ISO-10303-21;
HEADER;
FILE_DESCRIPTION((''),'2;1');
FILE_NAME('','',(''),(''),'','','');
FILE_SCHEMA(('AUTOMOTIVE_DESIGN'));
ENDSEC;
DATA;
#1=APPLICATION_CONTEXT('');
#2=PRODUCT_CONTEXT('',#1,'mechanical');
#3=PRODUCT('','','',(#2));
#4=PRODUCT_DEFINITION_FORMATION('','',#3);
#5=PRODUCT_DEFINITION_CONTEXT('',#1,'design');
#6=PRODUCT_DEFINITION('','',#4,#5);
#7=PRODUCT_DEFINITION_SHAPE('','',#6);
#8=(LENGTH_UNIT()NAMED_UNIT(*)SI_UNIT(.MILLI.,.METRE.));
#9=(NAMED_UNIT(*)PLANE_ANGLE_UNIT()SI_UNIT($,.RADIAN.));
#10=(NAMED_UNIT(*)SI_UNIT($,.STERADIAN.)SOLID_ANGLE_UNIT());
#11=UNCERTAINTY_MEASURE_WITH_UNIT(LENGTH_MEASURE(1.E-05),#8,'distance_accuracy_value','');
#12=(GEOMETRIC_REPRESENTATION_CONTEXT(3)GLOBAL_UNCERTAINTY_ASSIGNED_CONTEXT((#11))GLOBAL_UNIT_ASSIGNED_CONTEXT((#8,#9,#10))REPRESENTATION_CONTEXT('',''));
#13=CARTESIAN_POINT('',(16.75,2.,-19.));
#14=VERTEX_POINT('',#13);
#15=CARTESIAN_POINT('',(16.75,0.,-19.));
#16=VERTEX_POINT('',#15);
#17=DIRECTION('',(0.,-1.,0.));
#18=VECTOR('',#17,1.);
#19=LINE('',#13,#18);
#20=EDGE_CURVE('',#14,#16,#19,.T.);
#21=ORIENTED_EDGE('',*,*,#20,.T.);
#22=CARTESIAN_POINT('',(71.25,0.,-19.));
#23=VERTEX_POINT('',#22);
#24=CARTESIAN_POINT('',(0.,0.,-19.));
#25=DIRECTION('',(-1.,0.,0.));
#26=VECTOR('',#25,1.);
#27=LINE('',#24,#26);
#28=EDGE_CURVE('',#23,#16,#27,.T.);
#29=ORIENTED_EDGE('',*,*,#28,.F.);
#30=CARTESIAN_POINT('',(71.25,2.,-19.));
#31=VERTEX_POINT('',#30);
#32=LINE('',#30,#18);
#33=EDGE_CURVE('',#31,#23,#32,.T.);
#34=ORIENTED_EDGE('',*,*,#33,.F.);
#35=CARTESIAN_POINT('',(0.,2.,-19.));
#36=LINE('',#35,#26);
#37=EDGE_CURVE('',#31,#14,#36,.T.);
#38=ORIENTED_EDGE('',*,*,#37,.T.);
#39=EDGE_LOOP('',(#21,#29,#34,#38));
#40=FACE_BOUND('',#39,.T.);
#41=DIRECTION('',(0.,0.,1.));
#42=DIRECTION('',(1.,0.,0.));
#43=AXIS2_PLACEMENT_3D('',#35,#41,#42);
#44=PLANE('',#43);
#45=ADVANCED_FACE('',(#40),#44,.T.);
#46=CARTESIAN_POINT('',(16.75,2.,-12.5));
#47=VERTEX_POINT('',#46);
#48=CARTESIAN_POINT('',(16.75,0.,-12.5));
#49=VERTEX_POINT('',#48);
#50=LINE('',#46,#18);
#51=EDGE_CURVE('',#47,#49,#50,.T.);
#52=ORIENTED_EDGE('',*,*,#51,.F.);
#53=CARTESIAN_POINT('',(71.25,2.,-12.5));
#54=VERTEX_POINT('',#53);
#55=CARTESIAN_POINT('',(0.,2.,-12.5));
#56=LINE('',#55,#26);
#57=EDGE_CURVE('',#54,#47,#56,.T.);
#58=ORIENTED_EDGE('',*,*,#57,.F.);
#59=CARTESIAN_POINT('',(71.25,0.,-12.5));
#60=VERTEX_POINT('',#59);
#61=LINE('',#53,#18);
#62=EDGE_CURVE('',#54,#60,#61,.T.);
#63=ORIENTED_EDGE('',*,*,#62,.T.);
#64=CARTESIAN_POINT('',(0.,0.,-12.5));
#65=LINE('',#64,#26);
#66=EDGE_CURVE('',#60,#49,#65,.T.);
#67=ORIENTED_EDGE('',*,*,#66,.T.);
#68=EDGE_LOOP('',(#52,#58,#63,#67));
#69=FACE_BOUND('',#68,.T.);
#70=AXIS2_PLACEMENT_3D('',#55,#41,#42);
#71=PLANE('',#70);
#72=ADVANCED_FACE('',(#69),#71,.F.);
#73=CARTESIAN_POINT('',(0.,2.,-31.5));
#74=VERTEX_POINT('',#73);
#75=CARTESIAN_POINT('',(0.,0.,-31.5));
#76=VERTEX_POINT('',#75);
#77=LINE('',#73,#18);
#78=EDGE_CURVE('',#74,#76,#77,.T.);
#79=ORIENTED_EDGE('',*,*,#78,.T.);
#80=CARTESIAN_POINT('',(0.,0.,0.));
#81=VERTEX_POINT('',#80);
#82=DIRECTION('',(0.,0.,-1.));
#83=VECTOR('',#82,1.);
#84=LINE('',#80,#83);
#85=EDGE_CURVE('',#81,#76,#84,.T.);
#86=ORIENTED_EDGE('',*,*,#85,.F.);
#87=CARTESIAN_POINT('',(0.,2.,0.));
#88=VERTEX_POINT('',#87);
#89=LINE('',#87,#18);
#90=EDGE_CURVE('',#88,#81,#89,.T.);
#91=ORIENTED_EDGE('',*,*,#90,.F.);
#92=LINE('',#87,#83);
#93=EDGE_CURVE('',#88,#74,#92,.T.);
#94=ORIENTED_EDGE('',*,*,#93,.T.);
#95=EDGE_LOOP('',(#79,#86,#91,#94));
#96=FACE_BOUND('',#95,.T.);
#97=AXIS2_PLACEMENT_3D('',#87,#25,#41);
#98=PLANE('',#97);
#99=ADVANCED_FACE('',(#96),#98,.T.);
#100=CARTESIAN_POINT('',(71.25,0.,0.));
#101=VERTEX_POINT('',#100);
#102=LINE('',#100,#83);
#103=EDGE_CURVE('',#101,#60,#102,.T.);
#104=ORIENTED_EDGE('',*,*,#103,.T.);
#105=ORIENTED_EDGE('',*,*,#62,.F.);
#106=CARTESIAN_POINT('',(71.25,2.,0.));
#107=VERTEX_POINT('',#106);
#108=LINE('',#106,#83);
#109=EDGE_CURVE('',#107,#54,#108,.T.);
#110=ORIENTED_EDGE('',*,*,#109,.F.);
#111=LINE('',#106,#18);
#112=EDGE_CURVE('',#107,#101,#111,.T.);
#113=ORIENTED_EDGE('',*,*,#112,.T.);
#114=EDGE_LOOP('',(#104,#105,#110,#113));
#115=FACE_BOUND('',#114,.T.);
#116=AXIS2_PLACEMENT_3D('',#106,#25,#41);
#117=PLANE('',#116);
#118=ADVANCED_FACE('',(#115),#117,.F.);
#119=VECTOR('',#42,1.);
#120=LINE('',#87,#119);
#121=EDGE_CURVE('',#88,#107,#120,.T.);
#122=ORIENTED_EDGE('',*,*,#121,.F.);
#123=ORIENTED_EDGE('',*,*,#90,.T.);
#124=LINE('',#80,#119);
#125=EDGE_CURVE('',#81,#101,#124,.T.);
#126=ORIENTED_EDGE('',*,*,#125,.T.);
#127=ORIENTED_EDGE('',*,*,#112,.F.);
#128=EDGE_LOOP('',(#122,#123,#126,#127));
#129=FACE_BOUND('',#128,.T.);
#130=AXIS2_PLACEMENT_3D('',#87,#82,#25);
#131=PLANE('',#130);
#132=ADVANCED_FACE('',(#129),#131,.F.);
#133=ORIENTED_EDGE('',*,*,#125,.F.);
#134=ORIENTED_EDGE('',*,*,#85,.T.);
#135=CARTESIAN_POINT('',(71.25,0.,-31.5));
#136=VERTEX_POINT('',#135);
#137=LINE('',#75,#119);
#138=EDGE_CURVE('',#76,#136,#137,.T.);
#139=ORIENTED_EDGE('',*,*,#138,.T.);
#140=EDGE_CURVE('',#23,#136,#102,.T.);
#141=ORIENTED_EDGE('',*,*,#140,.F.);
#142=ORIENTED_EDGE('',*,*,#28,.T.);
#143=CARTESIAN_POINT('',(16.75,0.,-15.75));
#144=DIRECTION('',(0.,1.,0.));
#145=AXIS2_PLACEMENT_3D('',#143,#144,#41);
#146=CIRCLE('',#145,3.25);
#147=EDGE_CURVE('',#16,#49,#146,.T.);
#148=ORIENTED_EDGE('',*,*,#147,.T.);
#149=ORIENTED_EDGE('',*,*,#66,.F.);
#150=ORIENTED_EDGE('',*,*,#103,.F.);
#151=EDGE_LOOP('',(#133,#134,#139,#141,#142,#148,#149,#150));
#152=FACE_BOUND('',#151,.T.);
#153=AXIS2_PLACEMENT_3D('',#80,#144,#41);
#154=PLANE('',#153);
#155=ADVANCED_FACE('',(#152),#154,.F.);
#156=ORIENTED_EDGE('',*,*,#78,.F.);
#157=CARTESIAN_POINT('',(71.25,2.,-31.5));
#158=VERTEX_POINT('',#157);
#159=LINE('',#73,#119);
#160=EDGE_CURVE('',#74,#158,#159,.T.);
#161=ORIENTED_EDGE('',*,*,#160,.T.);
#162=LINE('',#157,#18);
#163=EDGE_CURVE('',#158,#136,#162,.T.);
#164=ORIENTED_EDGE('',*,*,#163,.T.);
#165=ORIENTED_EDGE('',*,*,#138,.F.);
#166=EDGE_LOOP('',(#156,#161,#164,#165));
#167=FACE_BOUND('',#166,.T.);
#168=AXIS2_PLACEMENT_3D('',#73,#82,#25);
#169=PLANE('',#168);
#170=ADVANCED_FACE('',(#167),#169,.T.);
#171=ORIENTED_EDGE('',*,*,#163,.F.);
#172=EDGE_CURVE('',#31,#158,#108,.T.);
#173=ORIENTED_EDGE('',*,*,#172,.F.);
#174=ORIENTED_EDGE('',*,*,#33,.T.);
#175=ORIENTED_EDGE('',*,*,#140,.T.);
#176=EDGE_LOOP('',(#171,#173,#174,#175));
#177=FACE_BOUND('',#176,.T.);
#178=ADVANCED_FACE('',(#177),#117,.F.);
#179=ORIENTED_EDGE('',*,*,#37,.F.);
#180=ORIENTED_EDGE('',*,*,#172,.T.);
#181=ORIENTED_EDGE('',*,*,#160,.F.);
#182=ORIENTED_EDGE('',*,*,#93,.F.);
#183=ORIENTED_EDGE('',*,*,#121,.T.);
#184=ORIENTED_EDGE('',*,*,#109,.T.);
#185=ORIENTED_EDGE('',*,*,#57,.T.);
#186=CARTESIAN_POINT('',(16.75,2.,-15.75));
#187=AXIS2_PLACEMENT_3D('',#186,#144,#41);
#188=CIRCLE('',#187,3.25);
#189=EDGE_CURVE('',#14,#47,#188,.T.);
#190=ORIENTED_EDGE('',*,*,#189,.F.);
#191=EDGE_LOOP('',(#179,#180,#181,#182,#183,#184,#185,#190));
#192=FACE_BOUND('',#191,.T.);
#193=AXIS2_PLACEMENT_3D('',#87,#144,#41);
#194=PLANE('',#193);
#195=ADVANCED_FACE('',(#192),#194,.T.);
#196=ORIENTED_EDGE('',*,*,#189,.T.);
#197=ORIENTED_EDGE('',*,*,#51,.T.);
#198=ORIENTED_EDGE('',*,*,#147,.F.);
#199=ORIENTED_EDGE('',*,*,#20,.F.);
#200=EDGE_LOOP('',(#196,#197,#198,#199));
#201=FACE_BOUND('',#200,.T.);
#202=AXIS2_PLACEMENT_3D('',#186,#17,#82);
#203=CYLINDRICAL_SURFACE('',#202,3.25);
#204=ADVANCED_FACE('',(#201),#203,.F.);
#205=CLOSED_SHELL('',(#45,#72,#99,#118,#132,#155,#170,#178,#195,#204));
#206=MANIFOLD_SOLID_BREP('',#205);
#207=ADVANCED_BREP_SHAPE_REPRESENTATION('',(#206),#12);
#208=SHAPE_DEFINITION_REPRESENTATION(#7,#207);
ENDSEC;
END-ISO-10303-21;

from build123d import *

# Parameters (mm, degrees)
BOSS_EXTRUDE1_DEPTH = 2


with BuildPart() as part:
    # Sketch1 → Boss-Extrude1 (new body)
    with BuildSketch(Plane(origin=(0, 0, 0), x_dir=(1, 0, 0), z_dir=(0, 1, 0))):
        with BuildLine():
            Line((0, 31.5), (0, 0))
            Line((0, 0), (71.25, 0))
            Line((71.25, 0), (71.25, 12.5))
            Line((71.25, 12.5), (16.75, 12.5))
            ThreePointArc((16.75, 12.5), (13.5, 15.75), (16.75, 19))
            Line((16.75, 19), (71.25, 19))
            Line((71.25, 19), (71.25, 31.5))
            Line((71.25, 31.5), (0, 31.5))
        make_face()
    extrude(amount=BOSS_EXTRUDE1_DEPTH)


solid = part.part
